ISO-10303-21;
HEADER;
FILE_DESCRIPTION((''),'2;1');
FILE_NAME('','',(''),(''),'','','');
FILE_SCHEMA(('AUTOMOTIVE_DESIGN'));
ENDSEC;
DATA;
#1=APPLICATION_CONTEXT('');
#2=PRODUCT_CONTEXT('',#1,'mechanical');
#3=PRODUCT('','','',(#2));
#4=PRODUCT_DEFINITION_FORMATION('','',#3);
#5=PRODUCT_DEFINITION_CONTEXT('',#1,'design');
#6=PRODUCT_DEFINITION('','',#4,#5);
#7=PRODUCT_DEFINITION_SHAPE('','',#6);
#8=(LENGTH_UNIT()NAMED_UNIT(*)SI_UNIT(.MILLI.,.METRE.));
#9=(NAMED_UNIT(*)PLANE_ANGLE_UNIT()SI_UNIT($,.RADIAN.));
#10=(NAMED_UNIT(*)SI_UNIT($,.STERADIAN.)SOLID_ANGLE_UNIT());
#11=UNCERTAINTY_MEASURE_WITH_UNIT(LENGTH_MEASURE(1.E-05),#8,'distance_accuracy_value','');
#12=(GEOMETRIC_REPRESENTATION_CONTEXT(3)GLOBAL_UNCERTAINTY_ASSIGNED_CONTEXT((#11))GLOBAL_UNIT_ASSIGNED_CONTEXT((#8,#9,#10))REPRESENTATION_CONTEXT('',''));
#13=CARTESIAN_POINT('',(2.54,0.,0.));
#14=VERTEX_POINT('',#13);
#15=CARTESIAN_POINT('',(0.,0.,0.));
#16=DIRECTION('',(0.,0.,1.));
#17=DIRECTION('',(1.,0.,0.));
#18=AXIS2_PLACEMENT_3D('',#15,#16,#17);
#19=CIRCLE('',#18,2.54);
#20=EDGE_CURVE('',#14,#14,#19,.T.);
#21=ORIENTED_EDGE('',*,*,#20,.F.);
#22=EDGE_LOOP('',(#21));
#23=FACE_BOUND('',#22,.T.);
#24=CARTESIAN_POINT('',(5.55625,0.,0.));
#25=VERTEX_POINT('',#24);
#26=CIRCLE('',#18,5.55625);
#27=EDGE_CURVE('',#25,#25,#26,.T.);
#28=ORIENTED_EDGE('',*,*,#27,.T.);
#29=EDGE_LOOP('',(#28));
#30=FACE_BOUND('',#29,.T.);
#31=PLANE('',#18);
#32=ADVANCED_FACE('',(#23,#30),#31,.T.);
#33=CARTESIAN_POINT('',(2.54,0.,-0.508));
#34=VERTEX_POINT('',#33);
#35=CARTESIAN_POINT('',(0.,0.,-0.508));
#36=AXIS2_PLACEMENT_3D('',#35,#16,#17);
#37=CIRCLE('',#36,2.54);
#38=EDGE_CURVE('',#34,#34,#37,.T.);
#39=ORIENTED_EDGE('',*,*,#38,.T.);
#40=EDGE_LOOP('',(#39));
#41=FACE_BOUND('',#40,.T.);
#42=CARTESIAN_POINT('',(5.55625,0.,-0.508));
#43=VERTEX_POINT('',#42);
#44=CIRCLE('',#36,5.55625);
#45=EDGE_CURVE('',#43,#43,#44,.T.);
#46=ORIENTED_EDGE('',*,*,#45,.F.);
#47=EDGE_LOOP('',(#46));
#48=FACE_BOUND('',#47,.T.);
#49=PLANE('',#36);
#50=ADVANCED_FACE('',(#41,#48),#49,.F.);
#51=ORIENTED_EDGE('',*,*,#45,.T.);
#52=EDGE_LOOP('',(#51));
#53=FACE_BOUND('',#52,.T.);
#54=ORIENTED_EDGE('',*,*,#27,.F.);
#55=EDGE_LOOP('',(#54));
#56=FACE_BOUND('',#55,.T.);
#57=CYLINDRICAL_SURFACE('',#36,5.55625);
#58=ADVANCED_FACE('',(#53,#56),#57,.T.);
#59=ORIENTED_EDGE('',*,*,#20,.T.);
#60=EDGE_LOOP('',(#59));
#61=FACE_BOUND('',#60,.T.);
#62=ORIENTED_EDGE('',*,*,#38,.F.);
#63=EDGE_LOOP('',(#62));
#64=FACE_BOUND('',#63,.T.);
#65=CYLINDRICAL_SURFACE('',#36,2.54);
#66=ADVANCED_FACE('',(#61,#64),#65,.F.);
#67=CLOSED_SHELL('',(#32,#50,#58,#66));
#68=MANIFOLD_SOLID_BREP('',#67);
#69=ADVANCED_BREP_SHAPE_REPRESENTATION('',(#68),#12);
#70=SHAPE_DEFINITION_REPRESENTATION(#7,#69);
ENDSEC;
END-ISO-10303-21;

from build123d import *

# Parameters (mm, degrees)
SKETCH1_R      = 5.55625
SKETCH1_R_2    = 2.54
EXTRUDE1_DEPTH = 0.508


with BuildPart() as part:
    # Sketch1 → Extrude1 (new body)
    with BuildSketch(Plane.XY):
        Circle(SKETCH1_R)
        Circle(SKETCH1_R_2, mode=Mode.SUBTRACT)
    extrude(amount=-EXTRUDE1_DEPTH)


solid = part.part
